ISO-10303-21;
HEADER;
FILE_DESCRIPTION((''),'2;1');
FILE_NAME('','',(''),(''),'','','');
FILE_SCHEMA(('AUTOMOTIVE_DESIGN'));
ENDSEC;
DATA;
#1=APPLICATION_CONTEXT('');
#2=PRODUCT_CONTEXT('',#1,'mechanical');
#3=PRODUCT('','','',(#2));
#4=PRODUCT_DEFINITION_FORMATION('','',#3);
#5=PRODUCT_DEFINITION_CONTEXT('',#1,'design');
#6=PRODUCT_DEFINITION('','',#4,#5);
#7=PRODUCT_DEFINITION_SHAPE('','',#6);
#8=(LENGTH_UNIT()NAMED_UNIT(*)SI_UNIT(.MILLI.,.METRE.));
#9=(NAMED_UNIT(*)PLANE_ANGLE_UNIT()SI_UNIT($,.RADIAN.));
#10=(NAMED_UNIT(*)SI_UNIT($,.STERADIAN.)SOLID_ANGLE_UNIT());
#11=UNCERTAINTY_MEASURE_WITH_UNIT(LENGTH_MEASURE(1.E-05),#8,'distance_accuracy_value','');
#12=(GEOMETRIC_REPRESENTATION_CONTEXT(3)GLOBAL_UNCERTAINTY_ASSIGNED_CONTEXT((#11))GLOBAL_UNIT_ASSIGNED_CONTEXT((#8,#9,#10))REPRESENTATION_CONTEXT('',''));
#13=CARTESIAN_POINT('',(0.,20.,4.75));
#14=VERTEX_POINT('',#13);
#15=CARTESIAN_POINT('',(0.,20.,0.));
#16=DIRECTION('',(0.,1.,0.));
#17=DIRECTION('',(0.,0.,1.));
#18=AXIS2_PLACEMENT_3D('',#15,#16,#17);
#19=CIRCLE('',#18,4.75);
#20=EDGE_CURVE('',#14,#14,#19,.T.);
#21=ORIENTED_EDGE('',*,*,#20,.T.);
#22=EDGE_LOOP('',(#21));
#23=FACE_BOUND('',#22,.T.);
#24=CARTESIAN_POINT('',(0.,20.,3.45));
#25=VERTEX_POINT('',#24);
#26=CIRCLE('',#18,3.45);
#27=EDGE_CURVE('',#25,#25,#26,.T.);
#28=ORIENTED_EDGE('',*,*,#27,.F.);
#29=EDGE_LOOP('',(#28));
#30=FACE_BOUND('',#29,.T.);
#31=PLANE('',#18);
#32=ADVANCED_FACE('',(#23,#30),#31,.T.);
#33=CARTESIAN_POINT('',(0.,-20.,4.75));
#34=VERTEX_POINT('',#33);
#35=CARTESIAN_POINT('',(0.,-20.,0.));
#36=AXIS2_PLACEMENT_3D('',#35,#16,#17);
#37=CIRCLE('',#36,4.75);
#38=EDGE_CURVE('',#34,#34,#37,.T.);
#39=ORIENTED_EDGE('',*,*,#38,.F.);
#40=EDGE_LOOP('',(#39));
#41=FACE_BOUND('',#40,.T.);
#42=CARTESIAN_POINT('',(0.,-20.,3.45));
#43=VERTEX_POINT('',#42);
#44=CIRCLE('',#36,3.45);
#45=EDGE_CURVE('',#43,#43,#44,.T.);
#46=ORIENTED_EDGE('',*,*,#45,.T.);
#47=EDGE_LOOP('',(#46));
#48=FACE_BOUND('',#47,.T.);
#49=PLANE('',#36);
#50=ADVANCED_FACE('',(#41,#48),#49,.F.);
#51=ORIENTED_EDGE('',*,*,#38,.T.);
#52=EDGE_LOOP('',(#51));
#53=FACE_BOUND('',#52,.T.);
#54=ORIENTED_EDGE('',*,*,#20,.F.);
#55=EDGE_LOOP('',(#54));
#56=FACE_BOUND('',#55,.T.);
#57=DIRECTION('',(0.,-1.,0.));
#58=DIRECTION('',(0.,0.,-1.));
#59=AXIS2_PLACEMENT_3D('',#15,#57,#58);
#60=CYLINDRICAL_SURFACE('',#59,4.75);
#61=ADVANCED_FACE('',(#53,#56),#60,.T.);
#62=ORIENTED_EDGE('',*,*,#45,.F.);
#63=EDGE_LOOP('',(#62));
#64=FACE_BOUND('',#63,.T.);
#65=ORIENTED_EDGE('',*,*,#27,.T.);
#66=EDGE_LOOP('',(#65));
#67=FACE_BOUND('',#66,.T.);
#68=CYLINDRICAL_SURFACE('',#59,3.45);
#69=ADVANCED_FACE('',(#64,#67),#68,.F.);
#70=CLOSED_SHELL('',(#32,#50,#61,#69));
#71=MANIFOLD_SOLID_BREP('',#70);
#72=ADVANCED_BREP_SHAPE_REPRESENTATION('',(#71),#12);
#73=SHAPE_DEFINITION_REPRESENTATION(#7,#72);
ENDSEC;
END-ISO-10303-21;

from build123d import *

# Parameters (mm, degrees)
SKETCH1_R           = 4.75
SKETCH1_R_2         = 3.45
BOSS_EXTRUDE1_DEPTH = 20


with BuildPart() as part:
    # Sketch1 → Boss-Extrude1 (new body, symmetric)
    with BuildSketch(Plane(origin=(0, 0, 0), x_dir=(1, 0, 0), z_dir=(0, 1, 0))):
        Circle(SKETCH1_R)
        Circle(SKETCH1_R_2, mode=Mode.SUBTRACT)
    extrude(amount=BOSS_EXTRUDE1_DEPTH, both=True)


solid = part.part
